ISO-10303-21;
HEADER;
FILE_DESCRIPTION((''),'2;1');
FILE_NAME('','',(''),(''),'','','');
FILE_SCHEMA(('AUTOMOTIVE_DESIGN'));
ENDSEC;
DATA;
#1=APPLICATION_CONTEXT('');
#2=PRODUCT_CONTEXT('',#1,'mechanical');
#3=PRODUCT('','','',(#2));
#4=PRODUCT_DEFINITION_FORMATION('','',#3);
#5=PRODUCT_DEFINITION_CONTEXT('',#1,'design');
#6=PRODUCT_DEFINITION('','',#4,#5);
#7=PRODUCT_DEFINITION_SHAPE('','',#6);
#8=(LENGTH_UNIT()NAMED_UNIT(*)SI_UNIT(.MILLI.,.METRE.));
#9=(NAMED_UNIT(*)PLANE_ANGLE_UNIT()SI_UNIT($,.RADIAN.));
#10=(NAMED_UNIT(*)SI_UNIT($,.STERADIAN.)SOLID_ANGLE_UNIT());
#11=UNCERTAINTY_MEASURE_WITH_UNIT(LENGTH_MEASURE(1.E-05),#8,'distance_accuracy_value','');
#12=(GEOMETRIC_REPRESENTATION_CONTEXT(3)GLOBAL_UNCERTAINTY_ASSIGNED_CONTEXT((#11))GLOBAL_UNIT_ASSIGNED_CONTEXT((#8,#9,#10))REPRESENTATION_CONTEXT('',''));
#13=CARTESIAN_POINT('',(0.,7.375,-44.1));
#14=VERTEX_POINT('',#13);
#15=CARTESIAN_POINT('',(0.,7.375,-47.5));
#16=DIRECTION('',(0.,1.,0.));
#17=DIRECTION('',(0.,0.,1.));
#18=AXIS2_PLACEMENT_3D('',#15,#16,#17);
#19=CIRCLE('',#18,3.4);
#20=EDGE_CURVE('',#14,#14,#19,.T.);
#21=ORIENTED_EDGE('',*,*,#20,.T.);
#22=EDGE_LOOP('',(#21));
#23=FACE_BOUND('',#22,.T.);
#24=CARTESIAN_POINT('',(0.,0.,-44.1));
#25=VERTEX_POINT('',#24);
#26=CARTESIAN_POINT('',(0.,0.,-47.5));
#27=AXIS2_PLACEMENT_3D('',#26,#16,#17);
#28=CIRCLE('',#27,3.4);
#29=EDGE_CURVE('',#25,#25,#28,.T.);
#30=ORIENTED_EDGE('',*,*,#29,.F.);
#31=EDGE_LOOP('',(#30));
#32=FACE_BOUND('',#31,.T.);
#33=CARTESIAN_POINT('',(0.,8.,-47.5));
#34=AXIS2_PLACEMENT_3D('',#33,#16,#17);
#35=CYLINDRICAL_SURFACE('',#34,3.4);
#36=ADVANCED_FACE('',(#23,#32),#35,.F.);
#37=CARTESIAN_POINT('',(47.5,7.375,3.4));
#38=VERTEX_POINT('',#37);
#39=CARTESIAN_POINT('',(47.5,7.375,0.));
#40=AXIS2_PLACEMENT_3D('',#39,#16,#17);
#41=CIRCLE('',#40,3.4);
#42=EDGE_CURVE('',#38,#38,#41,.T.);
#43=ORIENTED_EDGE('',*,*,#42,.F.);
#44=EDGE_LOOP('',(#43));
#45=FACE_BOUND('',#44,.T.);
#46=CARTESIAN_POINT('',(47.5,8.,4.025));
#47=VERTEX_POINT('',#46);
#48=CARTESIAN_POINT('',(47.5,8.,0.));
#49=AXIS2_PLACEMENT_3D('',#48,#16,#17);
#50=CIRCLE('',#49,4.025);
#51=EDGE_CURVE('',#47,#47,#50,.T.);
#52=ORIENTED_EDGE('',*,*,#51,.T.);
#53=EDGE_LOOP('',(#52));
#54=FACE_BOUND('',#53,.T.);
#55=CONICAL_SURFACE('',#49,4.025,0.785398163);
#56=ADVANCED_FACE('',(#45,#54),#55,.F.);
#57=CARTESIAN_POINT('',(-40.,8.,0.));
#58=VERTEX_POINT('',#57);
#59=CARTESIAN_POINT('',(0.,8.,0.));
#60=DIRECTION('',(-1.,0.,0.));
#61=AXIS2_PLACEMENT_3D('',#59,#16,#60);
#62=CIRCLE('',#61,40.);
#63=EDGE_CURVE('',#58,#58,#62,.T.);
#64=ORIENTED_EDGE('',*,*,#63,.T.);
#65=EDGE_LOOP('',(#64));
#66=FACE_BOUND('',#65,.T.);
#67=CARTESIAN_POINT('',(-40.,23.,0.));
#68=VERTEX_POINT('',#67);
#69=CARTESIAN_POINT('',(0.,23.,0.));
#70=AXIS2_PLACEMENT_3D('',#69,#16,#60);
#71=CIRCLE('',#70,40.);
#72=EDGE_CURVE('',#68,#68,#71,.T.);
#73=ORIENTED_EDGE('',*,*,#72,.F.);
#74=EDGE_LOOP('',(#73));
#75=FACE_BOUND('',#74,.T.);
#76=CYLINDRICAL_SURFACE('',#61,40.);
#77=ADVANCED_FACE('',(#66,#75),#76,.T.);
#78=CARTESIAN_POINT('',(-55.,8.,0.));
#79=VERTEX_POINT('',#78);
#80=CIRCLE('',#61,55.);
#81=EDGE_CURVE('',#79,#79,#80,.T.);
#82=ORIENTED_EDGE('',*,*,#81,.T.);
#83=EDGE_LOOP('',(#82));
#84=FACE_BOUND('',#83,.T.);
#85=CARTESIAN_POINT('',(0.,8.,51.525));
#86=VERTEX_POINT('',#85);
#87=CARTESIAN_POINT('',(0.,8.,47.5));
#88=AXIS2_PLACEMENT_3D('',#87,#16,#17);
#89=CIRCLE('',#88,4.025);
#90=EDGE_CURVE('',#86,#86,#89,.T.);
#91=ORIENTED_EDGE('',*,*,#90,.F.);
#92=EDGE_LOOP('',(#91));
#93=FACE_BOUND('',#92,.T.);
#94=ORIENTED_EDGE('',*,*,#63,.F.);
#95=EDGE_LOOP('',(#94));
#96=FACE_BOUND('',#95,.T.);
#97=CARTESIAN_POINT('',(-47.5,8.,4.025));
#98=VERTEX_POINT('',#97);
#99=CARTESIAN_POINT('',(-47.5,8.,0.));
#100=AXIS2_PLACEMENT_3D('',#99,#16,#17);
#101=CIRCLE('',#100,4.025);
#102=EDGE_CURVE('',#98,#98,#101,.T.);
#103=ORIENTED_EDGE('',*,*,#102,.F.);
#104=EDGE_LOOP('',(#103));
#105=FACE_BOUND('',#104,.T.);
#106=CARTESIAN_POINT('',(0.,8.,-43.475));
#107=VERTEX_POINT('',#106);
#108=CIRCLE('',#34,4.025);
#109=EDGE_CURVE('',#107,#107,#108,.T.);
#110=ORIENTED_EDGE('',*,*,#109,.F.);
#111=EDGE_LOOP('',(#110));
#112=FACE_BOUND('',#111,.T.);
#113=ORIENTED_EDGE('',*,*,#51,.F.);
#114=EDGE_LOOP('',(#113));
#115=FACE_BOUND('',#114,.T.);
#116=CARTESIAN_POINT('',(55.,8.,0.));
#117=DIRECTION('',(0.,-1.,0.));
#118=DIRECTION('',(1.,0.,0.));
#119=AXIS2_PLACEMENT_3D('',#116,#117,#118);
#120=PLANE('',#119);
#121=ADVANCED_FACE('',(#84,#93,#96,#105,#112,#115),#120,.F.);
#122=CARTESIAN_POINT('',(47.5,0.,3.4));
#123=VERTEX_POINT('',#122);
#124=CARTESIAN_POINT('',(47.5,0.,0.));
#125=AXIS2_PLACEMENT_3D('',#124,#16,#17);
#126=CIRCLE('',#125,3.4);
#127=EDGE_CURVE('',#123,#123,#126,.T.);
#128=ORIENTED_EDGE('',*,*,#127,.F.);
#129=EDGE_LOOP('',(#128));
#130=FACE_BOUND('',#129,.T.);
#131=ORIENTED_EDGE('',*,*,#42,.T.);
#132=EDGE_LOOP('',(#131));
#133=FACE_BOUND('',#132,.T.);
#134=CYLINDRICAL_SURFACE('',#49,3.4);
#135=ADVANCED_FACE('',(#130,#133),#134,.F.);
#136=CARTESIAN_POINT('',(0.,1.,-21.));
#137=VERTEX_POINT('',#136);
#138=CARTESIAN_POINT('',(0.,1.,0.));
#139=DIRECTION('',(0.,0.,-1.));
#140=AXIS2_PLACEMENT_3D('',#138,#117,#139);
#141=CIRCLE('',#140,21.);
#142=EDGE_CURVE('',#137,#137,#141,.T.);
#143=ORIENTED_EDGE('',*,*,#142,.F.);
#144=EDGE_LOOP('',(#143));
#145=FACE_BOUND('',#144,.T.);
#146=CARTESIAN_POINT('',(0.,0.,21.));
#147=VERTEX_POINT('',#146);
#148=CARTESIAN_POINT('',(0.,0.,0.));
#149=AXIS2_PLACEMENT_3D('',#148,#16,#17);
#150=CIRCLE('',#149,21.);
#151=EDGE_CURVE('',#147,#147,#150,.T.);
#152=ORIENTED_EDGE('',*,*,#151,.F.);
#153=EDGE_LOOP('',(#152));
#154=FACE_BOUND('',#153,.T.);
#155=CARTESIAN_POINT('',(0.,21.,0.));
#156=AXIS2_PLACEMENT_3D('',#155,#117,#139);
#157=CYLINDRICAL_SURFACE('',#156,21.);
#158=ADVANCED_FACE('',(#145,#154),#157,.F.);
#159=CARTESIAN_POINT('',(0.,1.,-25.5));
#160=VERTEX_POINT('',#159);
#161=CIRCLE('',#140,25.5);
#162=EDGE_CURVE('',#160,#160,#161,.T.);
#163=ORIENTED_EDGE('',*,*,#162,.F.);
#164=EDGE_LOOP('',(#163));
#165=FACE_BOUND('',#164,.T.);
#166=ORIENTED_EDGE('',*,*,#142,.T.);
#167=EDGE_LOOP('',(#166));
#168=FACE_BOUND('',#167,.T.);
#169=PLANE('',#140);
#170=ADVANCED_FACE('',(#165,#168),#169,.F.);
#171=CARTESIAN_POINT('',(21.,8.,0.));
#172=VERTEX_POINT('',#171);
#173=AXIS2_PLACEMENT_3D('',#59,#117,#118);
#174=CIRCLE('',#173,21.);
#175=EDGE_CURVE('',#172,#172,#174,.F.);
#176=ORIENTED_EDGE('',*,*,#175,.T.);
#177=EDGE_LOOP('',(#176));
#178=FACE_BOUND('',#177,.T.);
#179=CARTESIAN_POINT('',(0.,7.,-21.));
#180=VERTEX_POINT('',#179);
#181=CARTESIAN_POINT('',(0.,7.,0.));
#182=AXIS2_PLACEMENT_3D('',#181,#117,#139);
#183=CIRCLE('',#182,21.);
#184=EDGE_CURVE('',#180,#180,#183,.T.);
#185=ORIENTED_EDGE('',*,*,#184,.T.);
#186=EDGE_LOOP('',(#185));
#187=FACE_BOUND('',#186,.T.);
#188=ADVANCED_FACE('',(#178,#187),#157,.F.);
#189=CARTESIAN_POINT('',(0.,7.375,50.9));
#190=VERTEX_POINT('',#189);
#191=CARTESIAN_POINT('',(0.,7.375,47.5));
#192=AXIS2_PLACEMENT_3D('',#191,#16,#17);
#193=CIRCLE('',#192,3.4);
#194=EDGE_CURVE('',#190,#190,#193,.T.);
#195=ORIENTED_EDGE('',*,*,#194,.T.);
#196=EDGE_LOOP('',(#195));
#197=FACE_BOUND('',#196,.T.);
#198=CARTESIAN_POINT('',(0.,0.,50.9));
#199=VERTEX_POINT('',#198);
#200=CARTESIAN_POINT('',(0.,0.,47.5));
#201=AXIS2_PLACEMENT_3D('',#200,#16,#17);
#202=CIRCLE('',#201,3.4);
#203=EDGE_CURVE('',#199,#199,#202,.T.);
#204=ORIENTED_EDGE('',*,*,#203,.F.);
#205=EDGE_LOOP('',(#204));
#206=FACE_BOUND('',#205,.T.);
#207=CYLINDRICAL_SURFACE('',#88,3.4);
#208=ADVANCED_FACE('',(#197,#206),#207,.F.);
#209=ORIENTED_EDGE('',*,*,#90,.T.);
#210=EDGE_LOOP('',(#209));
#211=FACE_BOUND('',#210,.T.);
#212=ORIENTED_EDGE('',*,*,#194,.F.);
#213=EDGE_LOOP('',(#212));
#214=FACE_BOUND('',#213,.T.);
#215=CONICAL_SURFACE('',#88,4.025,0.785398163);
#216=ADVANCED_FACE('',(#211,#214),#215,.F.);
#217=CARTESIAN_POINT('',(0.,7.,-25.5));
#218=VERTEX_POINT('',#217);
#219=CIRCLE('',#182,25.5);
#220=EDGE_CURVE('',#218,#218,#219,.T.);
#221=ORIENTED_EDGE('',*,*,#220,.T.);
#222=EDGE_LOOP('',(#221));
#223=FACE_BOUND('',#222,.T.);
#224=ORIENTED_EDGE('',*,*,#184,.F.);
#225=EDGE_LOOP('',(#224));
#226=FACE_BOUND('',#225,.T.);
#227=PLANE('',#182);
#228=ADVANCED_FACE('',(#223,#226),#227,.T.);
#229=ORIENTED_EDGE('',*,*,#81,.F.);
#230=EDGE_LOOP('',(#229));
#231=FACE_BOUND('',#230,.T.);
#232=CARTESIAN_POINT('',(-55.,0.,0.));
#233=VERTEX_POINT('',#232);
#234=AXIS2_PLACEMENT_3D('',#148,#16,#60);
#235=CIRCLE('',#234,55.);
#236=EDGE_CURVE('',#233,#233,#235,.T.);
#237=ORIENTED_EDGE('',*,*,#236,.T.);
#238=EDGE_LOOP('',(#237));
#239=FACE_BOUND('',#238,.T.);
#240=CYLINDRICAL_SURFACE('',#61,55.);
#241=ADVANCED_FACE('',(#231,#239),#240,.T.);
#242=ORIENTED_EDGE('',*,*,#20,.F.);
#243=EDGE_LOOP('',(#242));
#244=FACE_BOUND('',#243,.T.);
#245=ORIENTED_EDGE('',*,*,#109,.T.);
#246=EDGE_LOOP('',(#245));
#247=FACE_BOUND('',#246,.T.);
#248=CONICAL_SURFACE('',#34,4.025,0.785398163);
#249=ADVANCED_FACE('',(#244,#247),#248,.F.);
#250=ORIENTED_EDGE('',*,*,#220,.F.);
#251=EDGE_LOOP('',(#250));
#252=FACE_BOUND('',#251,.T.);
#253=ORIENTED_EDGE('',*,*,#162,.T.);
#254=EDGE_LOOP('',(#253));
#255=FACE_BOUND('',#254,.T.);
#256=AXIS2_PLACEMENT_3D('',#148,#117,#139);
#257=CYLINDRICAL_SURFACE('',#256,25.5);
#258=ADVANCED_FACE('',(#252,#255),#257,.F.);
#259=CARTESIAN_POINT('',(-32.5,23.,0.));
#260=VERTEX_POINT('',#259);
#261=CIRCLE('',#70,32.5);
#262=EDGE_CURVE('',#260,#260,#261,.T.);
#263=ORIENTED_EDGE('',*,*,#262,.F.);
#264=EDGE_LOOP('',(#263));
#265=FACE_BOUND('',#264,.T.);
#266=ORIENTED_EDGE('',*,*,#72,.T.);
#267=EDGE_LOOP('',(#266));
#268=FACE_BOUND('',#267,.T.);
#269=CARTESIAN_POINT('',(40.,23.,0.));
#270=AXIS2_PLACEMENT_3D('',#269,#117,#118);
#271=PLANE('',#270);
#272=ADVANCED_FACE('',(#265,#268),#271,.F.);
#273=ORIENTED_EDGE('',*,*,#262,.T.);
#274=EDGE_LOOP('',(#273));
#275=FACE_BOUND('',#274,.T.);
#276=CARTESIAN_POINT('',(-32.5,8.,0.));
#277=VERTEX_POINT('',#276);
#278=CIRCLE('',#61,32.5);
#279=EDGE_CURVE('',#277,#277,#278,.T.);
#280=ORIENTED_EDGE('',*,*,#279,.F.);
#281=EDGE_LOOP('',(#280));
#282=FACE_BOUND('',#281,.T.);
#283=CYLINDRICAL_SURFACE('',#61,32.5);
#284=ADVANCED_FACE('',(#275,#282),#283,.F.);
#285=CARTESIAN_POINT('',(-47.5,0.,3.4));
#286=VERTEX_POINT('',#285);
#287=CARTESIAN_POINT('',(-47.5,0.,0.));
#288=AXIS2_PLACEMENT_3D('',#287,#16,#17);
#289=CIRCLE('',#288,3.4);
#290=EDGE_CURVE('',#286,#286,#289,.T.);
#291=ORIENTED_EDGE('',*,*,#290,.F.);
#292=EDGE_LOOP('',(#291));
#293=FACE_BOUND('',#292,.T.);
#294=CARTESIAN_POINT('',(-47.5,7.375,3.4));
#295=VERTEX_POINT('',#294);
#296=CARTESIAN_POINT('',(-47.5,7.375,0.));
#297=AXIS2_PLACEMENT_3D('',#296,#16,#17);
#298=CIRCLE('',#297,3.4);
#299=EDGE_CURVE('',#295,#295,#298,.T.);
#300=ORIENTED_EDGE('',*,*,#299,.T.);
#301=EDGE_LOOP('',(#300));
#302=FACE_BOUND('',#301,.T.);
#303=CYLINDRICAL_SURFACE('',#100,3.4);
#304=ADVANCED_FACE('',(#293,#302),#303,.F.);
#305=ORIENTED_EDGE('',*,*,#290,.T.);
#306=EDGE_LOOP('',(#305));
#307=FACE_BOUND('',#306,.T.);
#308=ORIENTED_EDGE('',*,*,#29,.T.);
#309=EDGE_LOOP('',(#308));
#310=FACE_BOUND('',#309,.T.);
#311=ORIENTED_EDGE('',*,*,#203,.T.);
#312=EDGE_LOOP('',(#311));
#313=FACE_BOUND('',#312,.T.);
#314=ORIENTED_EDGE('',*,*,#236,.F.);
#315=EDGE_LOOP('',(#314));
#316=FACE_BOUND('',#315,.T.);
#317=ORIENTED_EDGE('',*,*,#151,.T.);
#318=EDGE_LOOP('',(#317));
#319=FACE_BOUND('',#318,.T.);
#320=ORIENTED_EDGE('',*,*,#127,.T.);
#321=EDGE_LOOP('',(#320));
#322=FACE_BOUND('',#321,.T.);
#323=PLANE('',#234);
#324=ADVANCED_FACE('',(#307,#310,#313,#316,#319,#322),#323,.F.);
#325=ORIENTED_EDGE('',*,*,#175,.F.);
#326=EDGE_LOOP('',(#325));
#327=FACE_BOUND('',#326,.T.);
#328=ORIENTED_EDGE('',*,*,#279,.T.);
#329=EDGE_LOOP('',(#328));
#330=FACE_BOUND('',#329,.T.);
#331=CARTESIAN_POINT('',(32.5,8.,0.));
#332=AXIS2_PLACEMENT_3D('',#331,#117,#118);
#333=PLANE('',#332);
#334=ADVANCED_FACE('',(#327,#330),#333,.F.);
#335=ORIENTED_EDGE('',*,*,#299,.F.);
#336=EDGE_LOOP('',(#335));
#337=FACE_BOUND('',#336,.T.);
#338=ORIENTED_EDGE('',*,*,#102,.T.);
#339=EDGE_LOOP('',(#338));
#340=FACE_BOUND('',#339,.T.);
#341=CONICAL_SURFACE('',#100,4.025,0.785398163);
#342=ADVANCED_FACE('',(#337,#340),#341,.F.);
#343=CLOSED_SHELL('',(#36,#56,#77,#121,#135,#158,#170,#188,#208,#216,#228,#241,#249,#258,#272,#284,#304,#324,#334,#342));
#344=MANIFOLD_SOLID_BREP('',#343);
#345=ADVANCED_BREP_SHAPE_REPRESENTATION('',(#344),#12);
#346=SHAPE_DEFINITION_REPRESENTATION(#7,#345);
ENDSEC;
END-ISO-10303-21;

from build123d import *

# Parameters (mm, degrees)
HOLE_WIZARD_M8_1_D           = 6.8
HOLE_WIZARD_M8_1_CSINK_D     = 8.05
HOLE_WIZARD_M8_1_CSINK_ANGLE = 90
SKETCH_3_R                   = 21
CUT_EXTRUDE_3_DEPTH          = 21


with BuildPart() as part:
    # 草图1 → 旋转1 (revolve)
    with BuildSketch(Plane.XY, mode=Mode.PRIVATE) as revolve_1_sk:
        Polygon((0, 0), (55, 0), (55, 8), (40, 8), (40, 23), (32.5, 23), (32.5, 8), (0, 8), align=None)
    revolve(revolve_1_sk.sketch.rotate(Axis((0, 8, 0), (0, -1, 0)), 180), axis=Axis((0, 8, 0), (0, -1, 0)))

    # M8 螺纹孔1 (through all)
    with Locations(Plane(origin=(0, 8, 0), x_dir=(1, 0, 0), z_dir=(0, 1, 0))):
        with Locations((-47.5, 0), (47.5, 0), (0, -47.5), (0, 47.5)):
            CounterSinkHole(HOLE_WIZARD_M8_1_D / 2, HOLE_WIZARD_M8_1_CSINK_D / 2, counter_sink_angle=HOLE_WIZARD_M8_1_CSINK_ANGLE)

    # 草图3 → 切除-拉伸3 (cut)
    with BuildSketch(Plane(origin=(0, 0, 0), x_dir=(1, 0, 0), z_dir=(0, 1, 0))):
        Circle(SKETCH_3_R)
    extrude(amount=CUT_EXTRUDE_3_DEPTH, mode=Mode.SUBTRACT)

    # 草图4 → 切除-旋转2 (revolve, cut)
    with BuildSketch(Plane(origin=(0, 0, 0), x_dir=(0, 0, -1), z_dir=(1, 0, 0))):
        Polygon((10.5, 7), (10.5, 1), (21, 1), (25.5, 1), (25.5, 4), (25.5, 7), (21, 7), align=None)
    revolve(axis=Axis((0, 0, 0), (0, 1, 0)), mode=Mode.SUBTRACT)


solid = part.part
